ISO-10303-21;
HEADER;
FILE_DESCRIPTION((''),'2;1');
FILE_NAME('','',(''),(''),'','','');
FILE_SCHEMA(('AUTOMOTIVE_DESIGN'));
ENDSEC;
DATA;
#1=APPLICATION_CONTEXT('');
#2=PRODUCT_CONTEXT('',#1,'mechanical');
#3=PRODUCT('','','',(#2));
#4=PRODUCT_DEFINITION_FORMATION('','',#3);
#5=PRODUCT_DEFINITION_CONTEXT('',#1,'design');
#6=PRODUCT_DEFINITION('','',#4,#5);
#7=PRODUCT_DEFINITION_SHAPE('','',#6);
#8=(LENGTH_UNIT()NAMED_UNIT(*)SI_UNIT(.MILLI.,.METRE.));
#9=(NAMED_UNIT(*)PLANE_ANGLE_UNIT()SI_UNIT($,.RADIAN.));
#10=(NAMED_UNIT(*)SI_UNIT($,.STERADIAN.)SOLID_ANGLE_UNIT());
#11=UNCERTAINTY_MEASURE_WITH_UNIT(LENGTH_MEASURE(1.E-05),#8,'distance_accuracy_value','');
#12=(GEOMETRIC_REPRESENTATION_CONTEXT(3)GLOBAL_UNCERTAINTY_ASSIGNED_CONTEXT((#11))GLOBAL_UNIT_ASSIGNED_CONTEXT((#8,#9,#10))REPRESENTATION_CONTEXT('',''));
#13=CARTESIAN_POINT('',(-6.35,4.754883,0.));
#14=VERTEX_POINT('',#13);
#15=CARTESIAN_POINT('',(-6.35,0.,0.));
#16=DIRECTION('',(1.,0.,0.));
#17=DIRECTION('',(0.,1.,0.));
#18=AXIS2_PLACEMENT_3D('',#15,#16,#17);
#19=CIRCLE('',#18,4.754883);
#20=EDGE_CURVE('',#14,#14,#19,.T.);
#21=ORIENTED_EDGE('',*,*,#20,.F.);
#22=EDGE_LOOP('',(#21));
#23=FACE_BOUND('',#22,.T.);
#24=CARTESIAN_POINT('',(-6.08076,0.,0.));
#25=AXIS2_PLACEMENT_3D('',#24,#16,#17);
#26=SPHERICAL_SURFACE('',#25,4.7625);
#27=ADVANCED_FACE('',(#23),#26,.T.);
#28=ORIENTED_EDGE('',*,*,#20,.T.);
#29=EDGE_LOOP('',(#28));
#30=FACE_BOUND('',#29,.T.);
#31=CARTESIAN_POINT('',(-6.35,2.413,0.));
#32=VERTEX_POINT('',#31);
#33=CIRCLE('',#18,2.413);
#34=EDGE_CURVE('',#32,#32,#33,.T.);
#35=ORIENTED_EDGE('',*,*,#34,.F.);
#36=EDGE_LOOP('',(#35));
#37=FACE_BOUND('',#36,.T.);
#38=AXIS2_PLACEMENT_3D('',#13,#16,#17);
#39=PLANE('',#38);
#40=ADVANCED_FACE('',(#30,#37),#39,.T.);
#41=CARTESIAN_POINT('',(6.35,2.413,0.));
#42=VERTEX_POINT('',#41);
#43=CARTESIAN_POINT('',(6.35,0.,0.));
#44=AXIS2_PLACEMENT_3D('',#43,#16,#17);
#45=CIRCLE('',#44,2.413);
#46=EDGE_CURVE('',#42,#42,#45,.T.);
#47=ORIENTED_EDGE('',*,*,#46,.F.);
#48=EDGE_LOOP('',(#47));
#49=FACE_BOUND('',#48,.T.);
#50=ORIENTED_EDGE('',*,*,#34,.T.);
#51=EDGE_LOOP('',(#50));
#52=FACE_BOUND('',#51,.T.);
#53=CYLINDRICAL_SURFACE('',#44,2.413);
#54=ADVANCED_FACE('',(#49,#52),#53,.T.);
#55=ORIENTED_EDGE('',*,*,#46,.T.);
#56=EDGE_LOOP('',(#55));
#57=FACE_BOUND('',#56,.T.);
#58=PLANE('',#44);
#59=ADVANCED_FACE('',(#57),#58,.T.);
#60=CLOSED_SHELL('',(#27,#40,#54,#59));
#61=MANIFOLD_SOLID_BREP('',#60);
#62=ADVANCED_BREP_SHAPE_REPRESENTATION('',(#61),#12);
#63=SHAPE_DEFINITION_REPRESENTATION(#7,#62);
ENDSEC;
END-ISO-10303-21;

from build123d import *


with BuildPart() as part:
    # Sketch2 → Revolve8 (revolve)
    with BuildSketch(Plane.XY):
        with BuildLine():
            Line((-6.35, 4.754883392), (-6.35, 2.413))
            Line((-6.35, 2.413), (6.35, 2.413))
            Line((6.35, 2.413), (6.35, 0))
            Line((6.35, 0), (-10.84326, 0))
            ThreePointArc((-10.84326, 0), (-9.542238134, 3.27102054), (-6.35, 4.754883392))
        make_face()
    revolve(axis=Axis((6.35, 0, 0), (-1, 0, 0)))


solid = part.part
